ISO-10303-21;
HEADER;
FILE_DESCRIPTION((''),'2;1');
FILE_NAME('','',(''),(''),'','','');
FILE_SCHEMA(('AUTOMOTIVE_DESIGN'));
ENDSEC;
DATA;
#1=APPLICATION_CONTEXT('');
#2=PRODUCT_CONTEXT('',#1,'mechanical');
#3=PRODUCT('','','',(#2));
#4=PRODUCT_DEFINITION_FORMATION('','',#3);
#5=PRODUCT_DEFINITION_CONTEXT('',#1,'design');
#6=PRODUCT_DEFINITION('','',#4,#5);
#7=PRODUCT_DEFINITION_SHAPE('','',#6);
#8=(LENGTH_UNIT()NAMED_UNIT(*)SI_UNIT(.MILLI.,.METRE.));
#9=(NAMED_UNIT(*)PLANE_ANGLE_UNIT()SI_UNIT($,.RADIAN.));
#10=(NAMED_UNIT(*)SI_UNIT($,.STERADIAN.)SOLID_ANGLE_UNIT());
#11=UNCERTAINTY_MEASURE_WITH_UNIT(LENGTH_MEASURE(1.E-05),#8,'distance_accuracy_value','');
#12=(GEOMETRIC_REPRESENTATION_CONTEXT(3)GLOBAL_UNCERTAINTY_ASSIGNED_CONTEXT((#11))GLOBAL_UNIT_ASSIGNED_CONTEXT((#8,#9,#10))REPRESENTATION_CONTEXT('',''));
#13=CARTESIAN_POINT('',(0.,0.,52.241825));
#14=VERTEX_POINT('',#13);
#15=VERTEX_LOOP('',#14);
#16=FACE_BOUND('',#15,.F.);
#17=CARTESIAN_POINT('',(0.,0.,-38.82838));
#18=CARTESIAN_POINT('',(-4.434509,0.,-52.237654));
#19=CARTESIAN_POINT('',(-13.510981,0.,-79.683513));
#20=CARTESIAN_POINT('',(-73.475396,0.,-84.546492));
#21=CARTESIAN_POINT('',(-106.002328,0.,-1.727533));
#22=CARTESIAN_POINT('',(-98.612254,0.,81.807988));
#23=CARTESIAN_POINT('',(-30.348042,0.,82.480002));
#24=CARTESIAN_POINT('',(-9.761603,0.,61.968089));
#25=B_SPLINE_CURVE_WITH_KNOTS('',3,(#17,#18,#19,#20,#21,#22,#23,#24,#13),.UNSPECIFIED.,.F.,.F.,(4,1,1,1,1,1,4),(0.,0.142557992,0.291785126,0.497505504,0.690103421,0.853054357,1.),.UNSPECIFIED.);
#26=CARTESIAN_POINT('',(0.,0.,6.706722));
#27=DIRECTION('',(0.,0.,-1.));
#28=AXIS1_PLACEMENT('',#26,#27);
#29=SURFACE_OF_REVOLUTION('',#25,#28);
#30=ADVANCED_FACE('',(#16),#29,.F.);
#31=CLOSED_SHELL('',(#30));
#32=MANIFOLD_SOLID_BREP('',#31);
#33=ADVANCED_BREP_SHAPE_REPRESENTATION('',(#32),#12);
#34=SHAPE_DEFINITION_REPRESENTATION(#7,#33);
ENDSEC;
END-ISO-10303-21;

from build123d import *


with BuildPart() as f1:
    # F0 (on Front) → F1 (revolve)
    with BuildSketch(Plane.XZ):
        with BuildLine():
            add(Edge.make_bspline(
                [(0, -38.8283804059), (-4.4345087027, -52.2376538413), (-13.5109810962, -79.6835127432), (-73.4753962287, -84.5464917224), (-106.0023281202, -1.7275333139), (-98.6122544582, 81.8079879385), (-30.3480420878, 82.4800021188), (-9.761603331, 61.9680894069), (0, 52.2418245673)],
                knots=[0, 0, 0, 0, 0.1425579923, 0.2917851262, 0.4975055035, 0.6901034207, 0.853054357, 1, 1, 1, 1], degree=3))
            Line((0, -38.8283804059), (0, 52.2418245673))
        make_face()
    revolve(axis=Axis((0, 0, 6.7067220807), (0, 0, -1)))


solid = f1.part
